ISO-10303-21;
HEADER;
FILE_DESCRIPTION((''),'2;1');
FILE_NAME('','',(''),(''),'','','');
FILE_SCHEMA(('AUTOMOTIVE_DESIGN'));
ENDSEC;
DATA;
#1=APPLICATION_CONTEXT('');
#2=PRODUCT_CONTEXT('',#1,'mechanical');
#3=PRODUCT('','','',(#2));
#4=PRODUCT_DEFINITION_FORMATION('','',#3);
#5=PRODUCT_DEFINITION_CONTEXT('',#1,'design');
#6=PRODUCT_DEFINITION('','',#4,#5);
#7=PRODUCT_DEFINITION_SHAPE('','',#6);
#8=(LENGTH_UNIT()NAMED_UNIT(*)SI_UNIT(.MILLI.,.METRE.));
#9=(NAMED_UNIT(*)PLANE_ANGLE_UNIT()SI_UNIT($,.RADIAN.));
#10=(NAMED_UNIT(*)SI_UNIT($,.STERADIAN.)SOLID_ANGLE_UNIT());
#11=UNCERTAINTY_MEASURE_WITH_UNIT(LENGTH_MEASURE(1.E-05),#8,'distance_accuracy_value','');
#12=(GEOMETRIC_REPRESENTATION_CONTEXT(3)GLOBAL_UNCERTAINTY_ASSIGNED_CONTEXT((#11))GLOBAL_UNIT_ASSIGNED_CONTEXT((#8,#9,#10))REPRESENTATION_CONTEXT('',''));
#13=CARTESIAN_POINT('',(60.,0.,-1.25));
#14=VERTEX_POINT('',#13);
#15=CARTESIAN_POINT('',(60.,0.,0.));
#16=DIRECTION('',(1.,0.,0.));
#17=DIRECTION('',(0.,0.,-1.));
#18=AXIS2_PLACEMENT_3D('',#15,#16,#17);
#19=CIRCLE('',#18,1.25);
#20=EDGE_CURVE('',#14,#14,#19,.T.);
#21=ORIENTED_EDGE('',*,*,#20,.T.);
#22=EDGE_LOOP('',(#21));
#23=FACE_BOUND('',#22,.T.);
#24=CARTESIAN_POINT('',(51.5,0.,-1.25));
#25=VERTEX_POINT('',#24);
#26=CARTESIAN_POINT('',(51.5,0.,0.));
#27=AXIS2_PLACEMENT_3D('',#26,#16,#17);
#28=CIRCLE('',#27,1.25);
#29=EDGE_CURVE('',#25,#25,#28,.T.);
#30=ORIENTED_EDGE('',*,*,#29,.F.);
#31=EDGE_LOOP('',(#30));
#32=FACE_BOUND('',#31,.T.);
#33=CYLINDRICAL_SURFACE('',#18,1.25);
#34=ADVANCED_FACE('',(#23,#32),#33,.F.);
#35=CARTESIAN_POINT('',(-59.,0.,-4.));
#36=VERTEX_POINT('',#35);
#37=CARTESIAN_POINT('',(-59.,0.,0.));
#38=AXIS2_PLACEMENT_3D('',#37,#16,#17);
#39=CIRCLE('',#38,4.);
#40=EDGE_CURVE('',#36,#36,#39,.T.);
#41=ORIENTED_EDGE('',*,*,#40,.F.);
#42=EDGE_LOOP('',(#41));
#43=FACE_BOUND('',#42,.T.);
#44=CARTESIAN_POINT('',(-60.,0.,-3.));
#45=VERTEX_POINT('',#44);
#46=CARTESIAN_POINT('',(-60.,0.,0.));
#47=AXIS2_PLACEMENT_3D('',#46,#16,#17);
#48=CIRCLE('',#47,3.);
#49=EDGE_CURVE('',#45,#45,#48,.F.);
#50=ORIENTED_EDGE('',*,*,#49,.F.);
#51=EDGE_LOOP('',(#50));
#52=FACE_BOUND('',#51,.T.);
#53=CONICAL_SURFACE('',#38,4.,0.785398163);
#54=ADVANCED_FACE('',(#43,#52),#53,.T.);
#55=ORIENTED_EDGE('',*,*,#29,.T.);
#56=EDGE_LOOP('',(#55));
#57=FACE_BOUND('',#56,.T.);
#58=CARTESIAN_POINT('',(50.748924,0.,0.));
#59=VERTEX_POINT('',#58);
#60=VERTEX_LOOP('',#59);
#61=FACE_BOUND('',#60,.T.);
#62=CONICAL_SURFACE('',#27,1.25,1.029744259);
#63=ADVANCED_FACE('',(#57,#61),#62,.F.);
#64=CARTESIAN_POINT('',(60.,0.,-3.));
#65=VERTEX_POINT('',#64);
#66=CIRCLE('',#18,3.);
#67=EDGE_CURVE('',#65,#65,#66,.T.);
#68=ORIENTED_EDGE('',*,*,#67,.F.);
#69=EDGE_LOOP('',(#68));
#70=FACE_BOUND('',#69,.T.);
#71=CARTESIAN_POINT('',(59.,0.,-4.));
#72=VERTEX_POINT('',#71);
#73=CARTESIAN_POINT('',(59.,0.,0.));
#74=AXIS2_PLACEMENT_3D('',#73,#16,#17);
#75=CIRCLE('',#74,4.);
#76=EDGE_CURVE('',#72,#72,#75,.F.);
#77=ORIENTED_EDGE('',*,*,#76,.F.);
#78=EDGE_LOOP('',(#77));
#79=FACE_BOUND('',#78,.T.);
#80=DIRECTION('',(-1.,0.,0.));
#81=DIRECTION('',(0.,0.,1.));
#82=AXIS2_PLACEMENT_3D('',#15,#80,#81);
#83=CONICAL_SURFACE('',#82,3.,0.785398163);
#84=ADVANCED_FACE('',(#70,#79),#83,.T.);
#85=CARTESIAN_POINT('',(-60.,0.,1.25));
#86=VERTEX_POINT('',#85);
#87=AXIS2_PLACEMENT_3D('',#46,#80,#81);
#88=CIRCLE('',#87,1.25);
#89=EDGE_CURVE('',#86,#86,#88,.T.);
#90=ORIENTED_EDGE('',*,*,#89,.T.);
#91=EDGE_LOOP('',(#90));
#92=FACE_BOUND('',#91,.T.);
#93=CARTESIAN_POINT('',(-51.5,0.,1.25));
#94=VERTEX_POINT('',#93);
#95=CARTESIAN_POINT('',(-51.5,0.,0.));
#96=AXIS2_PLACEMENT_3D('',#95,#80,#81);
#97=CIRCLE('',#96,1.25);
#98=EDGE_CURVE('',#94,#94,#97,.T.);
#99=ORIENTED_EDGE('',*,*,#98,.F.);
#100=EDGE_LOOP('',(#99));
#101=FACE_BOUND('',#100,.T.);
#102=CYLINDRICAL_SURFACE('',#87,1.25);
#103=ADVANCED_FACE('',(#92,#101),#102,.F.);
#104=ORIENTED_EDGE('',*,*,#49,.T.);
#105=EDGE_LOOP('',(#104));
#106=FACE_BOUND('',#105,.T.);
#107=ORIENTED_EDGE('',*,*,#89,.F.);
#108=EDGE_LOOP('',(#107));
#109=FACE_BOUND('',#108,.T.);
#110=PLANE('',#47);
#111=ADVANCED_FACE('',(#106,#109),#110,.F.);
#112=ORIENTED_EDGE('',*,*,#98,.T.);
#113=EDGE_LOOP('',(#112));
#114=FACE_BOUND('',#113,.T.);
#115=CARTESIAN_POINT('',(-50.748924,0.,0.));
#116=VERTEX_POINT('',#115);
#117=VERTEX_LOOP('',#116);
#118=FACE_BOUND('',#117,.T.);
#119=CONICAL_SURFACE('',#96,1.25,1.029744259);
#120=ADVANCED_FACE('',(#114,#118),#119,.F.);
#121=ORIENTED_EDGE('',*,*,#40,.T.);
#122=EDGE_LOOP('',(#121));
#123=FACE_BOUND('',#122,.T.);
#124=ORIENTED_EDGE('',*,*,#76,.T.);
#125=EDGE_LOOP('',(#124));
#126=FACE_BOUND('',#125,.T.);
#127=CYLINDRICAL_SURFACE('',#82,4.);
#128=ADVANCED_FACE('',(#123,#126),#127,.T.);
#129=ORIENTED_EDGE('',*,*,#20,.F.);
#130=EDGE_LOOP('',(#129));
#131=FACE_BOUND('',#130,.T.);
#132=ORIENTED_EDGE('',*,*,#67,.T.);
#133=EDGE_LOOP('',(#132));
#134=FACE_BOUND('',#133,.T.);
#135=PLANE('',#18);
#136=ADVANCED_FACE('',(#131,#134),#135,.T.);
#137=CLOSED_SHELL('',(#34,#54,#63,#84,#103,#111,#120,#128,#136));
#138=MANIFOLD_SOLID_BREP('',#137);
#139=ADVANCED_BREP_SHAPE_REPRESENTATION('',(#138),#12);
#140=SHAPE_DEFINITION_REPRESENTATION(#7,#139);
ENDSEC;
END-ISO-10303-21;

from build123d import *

# Parameters (mm, degrees)
ESQUISSE1_R           = 4
BOSS_EXTRU_1_DEPTH    = 60
CHANFREIN1_SIZE       = 1
TROU_TARAUD_M31_D     = 2.5
TROU_TARAUD_M31_DEPTH = 8.5
TROU_TARAUD_M31_TIP   = 0.751075774
TROU_TARAUD_M32_D     = 2.5
TROU_TARAUD_M32_DEPTH = 8.5
TROU_TARAUD_M32_TIP   = 0.751075774


with BuildPart() as part:
    # Esquisse1 → Boss.-Extru.1 (new, symmetric)
    with BuildSketch(Plane(origin=(0, 0, 0), x_dir=(0, 0, -1), z_dir=(1, 0, 0))):
        Circle(ESQUISSE1_R)
    extrude(amount=BOSS_EXTRU_1_DEPTH, both=True)

    # Chanfrein1
    chanfrein1_edges = [part.edges().sort_by_distance(p)[0] for p in [
        (-60, 0, 4),
        (60, 0, 4),
    ]]
    chamfer(chanfrein1_edges, length=CHANFREIN1_SIZE)

    # Trou taraudé M31
    with Locations(Plane(origin=(60, 0, 0), x_dir=(0, 0, -1), z_dir=(1, 0, 0))):
        with Locations((0, 0)):
            Hole(TROU_TARAUD_M31_D / 2, depth=TROU_TARAUD_M31_DEPTH)
            with Locations((0, 0, -(TROU_TARAUD_M31_DEPTH + TROU_TARAUD_M31_TIP / 2))):  # 118° drill point
                Cone(0, TROU_TARAUD_M31_D / 2, TROU_TARAUD_M31_TIP, mode=Mode.SUBTRACT)

    # Trou taraudé M32
    with Locations(Plane.ZY.offset(60)):
        with Locations((0, 0)):
            Hole(TROU_TARAUD_M32_D / 2, depth=TROU_TARAUD_M32_DEPTH)
            with Locations((0, 0, -(TROU_TARAUD_M32_DEPTH + TROU_TARAUD_M32_TIP / 2))):  # 118° drill point
                Cone(0, TROU_TARAUD_M32_D / 2, TROU_TARAUD_M32_TIP, mode=Mode.SUBTRACT)


solid = part.part
